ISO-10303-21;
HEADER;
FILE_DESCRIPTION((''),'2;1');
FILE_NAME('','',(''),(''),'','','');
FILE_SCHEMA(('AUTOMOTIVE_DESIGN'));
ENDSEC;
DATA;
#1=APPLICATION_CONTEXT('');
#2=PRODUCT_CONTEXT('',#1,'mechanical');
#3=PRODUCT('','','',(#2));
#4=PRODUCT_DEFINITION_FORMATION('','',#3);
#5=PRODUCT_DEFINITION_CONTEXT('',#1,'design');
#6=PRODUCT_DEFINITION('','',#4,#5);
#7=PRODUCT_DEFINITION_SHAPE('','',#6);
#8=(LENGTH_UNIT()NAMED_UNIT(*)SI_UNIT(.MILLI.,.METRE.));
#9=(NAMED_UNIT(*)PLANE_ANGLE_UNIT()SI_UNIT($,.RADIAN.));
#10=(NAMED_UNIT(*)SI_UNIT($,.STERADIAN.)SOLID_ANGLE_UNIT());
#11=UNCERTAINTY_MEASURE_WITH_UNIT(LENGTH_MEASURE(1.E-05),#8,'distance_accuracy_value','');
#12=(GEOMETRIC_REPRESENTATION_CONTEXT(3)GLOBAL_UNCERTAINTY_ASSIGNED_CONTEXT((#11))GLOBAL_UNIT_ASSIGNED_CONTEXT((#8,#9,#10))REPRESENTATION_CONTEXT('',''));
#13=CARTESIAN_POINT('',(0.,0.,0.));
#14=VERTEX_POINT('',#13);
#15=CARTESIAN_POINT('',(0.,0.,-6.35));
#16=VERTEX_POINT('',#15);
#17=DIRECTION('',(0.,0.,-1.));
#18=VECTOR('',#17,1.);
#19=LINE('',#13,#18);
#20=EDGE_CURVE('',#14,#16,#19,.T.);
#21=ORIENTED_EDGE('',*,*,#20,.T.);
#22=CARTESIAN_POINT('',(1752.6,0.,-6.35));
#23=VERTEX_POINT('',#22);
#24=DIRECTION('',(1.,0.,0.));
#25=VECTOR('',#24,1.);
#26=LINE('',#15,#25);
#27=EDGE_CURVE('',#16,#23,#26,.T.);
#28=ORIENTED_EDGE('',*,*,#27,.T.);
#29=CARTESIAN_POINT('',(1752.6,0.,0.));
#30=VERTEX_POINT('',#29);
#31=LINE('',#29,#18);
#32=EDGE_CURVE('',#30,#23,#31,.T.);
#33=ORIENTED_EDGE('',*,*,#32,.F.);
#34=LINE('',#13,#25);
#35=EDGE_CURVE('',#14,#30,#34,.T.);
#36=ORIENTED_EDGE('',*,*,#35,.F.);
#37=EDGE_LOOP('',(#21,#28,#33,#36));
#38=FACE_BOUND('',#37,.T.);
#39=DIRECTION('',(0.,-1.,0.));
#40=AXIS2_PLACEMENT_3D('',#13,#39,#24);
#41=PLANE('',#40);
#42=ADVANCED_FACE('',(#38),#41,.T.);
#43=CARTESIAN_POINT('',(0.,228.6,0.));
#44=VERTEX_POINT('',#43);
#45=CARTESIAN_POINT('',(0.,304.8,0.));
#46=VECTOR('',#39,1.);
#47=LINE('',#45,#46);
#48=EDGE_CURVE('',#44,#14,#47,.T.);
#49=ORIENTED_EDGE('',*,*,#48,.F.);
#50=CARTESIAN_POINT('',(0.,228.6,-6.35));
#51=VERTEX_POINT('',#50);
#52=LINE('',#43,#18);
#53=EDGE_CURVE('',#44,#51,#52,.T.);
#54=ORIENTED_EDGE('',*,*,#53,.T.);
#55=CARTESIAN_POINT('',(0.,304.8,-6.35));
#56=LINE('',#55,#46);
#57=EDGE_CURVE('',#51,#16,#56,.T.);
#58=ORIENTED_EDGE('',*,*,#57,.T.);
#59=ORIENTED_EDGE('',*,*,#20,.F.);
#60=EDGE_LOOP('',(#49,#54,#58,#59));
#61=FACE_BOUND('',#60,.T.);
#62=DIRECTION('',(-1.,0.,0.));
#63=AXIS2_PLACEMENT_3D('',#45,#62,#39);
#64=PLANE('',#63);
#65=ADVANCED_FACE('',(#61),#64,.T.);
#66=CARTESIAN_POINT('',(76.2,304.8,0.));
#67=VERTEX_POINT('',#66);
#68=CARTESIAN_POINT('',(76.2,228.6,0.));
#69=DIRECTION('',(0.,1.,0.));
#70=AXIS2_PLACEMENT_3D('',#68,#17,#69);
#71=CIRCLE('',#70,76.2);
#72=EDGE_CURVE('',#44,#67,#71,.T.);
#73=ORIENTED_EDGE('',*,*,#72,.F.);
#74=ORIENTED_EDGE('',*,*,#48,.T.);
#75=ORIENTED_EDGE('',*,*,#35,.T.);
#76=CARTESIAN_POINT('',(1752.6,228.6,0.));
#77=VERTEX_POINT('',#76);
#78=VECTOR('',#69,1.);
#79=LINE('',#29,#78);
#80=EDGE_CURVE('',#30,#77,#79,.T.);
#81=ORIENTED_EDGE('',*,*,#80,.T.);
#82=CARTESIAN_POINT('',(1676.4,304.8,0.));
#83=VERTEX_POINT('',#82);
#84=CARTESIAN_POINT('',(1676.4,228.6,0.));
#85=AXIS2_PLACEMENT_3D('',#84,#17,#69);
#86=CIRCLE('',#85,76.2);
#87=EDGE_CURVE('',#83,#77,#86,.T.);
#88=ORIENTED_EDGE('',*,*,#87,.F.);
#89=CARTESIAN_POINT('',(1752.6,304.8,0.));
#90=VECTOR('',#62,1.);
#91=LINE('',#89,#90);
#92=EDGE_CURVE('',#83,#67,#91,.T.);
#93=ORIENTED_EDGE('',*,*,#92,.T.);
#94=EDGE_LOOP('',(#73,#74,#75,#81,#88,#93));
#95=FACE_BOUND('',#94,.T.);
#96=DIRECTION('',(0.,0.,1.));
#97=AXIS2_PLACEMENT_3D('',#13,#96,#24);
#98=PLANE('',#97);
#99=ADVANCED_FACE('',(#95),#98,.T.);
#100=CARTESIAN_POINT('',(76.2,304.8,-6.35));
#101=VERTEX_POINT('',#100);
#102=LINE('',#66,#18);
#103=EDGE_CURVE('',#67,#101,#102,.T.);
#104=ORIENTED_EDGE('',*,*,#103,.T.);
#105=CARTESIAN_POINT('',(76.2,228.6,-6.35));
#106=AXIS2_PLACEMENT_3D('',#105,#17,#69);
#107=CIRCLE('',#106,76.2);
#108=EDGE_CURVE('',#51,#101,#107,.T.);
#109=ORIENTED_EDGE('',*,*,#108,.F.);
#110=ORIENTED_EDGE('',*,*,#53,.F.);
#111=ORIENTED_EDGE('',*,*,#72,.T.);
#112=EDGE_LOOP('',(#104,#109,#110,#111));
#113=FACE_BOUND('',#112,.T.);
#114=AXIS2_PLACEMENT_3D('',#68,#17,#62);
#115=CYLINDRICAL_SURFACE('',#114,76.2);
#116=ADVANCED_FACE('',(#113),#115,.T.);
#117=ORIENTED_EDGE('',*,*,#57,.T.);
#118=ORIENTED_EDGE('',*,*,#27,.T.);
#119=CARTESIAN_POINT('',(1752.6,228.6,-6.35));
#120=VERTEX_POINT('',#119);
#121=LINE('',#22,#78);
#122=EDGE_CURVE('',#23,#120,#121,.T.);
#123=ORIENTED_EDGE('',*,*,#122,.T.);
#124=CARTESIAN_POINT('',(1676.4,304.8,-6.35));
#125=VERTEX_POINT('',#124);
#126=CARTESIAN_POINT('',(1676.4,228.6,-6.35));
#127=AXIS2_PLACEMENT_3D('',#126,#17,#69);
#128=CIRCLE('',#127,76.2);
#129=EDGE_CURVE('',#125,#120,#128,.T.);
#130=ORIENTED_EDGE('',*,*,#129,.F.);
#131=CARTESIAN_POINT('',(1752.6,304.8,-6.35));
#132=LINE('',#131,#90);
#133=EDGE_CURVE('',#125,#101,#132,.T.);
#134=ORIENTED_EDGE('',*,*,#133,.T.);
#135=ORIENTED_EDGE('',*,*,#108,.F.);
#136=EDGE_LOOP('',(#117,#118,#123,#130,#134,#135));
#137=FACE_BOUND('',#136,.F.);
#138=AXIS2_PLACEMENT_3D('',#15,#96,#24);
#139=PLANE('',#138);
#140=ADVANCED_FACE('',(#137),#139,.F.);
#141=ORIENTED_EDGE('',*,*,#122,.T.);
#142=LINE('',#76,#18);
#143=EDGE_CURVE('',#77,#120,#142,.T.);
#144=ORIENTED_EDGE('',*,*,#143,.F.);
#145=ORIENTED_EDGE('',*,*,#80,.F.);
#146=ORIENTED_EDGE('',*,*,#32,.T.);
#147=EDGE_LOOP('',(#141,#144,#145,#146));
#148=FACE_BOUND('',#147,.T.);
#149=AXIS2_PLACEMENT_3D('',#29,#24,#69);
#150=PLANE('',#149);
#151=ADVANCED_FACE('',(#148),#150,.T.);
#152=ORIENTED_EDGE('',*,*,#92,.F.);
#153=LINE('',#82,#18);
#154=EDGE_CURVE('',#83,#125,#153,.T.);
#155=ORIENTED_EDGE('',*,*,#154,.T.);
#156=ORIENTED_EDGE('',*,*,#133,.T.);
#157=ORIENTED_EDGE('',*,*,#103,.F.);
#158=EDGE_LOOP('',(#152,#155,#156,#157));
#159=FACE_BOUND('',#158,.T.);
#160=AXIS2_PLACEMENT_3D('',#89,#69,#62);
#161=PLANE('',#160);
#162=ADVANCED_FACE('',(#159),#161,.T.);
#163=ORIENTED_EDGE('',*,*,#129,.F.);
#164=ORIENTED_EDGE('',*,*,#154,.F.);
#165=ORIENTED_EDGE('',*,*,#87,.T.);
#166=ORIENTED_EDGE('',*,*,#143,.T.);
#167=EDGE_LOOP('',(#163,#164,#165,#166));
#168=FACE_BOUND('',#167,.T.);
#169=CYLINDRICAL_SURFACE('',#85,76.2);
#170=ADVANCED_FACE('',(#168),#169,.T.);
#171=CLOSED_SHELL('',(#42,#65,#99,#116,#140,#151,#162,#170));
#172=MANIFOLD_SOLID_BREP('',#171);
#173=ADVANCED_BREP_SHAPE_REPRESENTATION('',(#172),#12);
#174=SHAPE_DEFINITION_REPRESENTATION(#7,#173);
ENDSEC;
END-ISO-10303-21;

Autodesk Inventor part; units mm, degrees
ref_plane "YZ Plane" through (0, 0, 0) normal (1, 0, 0) x (0, 1, 0)
ref_plane "XZ Plane" through (0, 0, 0) normal (0, 1, 0) x (-1, 0, 0)
ref_plane "XY Plane" through (0, 0, 0) normal (0, 0, 1) x (1, 0, 0)
sketch "Sketch1" plane through (0, 0, 0) normal (0, 0, 1) x (1, 0, 0)
  line L0 (0, 0) -> (1752.6, 0)
  line L1 (1752.6, 0) -> (1752.6, 304.8)
  line L2 (1752.6, 304.8) -> (0, 304.8)
  line L3 (0, 304.8) -> (0, 0)
  dimension "d0" = 1752.6
  dimension "d1" = 304.8
extrude "Extrusion1" add sketch "Sketch1" against normal blind 6.35
fillet "Fillet1" radius 76.2 2 edges at (0, 304.8, -3.175) (1752.6, 304.8, -3.175)
ref_plane "Work Plane1" through (876.3, 0, 0) normal (1, 0, 0) x (0, 1, 0)
properties part number "FE00036Shelf" material "Aluminum 6061"
